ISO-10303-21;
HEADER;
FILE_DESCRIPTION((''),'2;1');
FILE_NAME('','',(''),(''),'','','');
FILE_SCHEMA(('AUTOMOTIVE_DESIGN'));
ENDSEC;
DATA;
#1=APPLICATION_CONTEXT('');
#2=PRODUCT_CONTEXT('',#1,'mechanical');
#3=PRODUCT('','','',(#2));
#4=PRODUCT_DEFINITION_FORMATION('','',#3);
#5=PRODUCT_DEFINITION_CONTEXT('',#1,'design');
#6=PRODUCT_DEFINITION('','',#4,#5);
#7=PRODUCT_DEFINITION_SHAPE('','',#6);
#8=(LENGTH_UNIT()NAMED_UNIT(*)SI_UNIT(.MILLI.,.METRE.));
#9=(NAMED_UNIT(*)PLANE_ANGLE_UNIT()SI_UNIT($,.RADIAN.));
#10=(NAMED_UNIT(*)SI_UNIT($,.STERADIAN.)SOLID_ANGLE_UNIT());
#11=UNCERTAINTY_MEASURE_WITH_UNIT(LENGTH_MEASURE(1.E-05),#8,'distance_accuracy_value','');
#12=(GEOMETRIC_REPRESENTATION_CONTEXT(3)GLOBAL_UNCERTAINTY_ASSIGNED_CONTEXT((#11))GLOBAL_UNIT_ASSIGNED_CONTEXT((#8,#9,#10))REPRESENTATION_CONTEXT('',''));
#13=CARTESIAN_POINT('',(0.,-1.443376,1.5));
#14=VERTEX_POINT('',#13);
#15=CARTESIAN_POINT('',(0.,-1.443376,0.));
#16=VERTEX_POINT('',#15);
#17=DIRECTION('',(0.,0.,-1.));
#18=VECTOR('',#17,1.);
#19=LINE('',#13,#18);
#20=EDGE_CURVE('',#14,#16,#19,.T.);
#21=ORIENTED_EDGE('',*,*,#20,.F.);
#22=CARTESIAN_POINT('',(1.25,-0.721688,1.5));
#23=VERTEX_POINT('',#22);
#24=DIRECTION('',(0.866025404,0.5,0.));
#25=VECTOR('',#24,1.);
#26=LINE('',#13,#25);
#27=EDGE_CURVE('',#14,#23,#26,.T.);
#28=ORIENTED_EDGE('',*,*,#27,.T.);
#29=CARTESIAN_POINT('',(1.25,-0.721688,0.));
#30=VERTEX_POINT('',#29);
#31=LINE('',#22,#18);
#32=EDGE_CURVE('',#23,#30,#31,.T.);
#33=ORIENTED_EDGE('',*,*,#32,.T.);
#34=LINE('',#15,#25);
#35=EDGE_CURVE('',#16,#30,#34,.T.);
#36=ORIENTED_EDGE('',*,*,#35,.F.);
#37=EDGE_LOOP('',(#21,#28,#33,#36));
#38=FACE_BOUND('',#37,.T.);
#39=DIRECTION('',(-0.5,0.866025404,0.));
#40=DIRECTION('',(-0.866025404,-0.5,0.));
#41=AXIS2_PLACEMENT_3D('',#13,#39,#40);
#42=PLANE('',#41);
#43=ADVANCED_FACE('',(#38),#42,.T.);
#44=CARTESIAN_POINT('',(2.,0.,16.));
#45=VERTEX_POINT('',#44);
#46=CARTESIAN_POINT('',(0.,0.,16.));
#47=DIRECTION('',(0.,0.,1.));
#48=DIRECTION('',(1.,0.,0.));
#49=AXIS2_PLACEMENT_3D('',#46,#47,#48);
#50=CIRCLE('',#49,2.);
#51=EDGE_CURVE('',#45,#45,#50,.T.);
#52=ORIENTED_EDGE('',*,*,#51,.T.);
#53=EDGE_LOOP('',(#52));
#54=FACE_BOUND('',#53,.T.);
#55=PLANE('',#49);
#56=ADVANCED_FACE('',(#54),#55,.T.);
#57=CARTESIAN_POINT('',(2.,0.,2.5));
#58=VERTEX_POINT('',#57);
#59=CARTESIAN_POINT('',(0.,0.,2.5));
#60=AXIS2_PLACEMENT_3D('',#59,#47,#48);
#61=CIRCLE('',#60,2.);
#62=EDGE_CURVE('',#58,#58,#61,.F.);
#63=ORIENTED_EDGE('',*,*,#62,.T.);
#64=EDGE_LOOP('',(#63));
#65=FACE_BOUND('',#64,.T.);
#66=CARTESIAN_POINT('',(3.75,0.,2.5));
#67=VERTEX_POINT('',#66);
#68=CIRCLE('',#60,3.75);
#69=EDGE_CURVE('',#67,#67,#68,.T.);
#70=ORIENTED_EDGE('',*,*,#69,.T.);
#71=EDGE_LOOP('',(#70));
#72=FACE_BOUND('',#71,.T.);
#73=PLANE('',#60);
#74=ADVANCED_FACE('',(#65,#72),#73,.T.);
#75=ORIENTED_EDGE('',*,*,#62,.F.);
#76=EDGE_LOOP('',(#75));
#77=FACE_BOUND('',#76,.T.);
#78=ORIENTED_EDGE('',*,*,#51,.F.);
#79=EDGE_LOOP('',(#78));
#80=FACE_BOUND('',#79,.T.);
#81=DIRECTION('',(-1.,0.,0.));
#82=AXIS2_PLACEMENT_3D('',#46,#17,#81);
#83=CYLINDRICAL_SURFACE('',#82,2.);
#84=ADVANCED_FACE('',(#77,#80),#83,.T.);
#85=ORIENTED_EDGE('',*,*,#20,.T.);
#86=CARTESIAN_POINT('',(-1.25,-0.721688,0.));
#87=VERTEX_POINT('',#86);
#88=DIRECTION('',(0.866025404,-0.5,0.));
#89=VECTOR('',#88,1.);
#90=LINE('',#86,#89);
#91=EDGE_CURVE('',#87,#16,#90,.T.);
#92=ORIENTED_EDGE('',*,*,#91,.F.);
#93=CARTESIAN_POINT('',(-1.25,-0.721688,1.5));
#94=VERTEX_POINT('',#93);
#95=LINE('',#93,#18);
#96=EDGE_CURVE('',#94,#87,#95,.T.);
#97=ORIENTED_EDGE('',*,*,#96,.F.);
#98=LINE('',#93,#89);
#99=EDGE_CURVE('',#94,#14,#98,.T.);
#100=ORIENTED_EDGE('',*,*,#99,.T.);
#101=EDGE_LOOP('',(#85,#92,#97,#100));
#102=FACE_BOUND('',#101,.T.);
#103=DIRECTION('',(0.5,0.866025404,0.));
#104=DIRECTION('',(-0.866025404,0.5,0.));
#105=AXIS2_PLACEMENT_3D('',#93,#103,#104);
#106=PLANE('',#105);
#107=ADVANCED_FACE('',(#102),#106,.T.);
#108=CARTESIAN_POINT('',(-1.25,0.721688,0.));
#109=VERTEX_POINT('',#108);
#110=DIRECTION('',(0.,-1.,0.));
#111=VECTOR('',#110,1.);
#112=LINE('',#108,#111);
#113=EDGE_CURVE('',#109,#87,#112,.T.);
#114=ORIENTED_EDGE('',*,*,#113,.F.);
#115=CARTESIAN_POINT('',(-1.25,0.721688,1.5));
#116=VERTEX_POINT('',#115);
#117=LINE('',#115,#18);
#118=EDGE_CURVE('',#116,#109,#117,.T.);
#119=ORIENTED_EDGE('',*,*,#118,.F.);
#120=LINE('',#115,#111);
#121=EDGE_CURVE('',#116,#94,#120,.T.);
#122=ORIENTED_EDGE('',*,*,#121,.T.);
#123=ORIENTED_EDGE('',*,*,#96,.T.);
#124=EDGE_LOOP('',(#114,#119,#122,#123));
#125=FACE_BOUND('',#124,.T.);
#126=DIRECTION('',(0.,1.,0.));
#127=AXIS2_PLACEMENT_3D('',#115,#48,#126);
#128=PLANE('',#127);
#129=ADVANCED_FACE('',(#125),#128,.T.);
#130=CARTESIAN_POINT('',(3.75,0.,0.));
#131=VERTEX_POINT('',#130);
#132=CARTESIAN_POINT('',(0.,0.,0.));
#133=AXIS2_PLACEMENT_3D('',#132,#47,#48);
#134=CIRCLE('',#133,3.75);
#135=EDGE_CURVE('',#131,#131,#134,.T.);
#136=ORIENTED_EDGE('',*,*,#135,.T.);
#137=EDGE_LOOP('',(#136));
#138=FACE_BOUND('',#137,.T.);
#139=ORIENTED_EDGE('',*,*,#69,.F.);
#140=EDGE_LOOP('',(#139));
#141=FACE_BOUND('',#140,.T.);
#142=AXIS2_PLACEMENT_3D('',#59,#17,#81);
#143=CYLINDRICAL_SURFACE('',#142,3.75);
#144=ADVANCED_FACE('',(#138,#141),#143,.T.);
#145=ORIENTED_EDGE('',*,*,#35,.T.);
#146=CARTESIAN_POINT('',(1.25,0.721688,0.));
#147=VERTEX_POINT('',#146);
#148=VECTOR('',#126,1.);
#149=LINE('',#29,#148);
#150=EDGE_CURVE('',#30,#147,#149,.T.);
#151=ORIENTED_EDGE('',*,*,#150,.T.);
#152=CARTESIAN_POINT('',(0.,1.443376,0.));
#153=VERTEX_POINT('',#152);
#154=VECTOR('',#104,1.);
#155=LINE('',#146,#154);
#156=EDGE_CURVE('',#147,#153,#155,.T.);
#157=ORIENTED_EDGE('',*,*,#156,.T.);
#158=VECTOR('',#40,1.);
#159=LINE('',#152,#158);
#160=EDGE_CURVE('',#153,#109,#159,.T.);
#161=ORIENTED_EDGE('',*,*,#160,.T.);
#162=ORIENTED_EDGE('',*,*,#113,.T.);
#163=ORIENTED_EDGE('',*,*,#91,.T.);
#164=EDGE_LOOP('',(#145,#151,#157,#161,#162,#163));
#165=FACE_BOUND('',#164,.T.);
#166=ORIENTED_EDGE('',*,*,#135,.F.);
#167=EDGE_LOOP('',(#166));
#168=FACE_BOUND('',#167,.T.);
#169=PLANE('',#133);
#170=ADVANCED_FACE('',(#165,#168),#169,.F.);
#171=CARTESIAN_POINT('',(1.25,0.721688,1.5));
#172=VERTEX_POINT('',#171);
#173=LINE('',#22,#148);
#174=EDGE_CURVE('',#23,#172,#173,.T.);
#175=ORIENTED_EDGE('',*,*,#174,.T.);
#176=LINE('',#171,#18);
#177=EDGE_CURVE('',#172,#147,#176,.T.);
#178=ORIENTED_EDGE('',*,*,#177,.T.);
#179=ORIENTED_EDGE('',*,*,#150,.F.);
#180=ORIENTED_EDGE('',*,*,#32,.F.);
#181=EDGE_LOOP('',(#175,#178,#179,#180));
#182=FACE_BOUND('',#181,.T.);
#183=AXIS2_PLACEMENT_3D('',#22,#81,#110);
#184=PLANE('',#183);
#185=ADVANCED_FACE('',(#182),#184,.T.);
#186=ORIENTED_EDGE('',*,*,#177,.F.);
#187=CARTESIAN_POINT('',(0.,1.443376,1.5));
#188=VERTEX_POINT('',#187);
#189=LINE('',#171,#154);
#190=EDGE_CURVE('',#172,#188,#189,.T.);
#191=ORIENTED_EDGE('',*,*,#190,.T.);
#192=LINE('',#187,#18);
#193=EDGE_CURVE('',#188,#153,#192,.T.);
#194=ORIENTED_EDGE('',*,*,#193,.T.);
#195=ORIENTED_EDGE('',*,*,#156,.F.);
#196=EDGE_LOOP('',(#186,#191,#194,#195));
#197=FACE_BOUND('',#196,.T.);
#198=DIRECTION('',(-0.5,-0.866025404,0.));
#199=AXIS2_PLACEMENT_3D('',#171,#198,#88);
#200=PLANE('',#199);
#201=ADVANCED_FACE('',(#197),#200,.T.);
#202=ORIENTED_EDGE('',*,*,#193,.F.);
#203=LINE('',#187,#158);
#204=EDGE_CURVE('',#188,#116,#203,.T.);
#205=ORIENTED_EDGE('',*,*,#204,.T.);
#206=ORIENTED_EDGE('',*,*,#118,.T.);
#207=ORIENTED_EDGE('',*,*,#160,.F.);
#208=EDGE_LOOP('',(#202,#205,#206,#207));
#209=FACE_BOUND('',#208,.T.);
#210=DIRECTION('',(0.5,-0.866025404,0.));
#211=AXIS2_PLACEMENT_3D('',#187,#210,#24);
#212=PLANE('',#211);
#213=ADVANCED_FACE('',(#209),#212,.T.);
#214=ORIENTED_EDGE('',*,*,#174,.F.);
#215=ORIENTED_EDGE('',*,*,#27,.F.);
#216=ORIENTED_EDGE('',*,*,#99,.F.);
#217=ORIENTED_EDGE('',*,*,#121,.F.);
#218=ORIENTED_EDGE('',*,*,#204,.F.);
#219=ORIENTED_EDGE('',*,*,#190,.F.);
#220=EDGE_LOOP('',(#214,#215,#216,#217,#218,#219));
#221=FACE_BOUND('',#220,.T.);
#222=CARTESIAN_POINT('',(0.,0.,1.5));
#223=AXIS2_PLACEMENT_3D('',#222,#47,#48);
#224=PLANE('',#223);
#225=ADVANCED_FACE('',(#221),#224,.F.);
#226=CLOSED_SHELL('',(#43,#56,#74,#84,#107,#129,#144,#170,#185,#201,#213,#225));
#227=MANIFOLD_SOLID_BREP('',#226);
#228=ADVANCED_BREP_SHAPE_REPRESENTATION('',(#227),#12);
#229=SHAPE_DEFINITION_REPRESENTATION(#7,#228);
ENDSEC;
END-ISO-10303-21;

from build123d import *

# Parameters (mm, degrees)
SK_CABEZA_AVELLANADA_R  = 3.75
CABEZA_AVELLANADA_DEPTH = 2.5
SK_CUERPO_R             = 2
CUERPO_DEPTH            = 16
HEXAGONO_INTERIOR_DEPTH = 1.5


with BuildPart() as part:
    # Sk_Cabeza_avellanada → Cabeza_avellanada (new body)
    with BuildSketch(Plane.XY):
        Circle(SK_CABEZA_AVELLANADA_R)
    extrude(amount=CABEZA_AVELLANADA_DEPTH)

    # Sk_Cuerpo → Cuerpo (add)
    with BuildSketch(Plane.XY):
        Circle(SK_CUERPO_R)
    extrude(amount=CUERPO_DEPTH)

    # Sk_Hexagono_interior → Hexagono_interior (cut)
    with BuildSketch(Plane.XY):
        Polygon((0, -1.443375673), (1.25, -0.721687836), (1.25, 0.721687836), (0, 1.443375673), (-1.25, 0.721687836), (-1.25, -0.721687836), align=None)
    extrude(amount=HEXAGONO_INTERIOR_DEPTH, mode=Mode.SUBTRACT)


solid = part.part
